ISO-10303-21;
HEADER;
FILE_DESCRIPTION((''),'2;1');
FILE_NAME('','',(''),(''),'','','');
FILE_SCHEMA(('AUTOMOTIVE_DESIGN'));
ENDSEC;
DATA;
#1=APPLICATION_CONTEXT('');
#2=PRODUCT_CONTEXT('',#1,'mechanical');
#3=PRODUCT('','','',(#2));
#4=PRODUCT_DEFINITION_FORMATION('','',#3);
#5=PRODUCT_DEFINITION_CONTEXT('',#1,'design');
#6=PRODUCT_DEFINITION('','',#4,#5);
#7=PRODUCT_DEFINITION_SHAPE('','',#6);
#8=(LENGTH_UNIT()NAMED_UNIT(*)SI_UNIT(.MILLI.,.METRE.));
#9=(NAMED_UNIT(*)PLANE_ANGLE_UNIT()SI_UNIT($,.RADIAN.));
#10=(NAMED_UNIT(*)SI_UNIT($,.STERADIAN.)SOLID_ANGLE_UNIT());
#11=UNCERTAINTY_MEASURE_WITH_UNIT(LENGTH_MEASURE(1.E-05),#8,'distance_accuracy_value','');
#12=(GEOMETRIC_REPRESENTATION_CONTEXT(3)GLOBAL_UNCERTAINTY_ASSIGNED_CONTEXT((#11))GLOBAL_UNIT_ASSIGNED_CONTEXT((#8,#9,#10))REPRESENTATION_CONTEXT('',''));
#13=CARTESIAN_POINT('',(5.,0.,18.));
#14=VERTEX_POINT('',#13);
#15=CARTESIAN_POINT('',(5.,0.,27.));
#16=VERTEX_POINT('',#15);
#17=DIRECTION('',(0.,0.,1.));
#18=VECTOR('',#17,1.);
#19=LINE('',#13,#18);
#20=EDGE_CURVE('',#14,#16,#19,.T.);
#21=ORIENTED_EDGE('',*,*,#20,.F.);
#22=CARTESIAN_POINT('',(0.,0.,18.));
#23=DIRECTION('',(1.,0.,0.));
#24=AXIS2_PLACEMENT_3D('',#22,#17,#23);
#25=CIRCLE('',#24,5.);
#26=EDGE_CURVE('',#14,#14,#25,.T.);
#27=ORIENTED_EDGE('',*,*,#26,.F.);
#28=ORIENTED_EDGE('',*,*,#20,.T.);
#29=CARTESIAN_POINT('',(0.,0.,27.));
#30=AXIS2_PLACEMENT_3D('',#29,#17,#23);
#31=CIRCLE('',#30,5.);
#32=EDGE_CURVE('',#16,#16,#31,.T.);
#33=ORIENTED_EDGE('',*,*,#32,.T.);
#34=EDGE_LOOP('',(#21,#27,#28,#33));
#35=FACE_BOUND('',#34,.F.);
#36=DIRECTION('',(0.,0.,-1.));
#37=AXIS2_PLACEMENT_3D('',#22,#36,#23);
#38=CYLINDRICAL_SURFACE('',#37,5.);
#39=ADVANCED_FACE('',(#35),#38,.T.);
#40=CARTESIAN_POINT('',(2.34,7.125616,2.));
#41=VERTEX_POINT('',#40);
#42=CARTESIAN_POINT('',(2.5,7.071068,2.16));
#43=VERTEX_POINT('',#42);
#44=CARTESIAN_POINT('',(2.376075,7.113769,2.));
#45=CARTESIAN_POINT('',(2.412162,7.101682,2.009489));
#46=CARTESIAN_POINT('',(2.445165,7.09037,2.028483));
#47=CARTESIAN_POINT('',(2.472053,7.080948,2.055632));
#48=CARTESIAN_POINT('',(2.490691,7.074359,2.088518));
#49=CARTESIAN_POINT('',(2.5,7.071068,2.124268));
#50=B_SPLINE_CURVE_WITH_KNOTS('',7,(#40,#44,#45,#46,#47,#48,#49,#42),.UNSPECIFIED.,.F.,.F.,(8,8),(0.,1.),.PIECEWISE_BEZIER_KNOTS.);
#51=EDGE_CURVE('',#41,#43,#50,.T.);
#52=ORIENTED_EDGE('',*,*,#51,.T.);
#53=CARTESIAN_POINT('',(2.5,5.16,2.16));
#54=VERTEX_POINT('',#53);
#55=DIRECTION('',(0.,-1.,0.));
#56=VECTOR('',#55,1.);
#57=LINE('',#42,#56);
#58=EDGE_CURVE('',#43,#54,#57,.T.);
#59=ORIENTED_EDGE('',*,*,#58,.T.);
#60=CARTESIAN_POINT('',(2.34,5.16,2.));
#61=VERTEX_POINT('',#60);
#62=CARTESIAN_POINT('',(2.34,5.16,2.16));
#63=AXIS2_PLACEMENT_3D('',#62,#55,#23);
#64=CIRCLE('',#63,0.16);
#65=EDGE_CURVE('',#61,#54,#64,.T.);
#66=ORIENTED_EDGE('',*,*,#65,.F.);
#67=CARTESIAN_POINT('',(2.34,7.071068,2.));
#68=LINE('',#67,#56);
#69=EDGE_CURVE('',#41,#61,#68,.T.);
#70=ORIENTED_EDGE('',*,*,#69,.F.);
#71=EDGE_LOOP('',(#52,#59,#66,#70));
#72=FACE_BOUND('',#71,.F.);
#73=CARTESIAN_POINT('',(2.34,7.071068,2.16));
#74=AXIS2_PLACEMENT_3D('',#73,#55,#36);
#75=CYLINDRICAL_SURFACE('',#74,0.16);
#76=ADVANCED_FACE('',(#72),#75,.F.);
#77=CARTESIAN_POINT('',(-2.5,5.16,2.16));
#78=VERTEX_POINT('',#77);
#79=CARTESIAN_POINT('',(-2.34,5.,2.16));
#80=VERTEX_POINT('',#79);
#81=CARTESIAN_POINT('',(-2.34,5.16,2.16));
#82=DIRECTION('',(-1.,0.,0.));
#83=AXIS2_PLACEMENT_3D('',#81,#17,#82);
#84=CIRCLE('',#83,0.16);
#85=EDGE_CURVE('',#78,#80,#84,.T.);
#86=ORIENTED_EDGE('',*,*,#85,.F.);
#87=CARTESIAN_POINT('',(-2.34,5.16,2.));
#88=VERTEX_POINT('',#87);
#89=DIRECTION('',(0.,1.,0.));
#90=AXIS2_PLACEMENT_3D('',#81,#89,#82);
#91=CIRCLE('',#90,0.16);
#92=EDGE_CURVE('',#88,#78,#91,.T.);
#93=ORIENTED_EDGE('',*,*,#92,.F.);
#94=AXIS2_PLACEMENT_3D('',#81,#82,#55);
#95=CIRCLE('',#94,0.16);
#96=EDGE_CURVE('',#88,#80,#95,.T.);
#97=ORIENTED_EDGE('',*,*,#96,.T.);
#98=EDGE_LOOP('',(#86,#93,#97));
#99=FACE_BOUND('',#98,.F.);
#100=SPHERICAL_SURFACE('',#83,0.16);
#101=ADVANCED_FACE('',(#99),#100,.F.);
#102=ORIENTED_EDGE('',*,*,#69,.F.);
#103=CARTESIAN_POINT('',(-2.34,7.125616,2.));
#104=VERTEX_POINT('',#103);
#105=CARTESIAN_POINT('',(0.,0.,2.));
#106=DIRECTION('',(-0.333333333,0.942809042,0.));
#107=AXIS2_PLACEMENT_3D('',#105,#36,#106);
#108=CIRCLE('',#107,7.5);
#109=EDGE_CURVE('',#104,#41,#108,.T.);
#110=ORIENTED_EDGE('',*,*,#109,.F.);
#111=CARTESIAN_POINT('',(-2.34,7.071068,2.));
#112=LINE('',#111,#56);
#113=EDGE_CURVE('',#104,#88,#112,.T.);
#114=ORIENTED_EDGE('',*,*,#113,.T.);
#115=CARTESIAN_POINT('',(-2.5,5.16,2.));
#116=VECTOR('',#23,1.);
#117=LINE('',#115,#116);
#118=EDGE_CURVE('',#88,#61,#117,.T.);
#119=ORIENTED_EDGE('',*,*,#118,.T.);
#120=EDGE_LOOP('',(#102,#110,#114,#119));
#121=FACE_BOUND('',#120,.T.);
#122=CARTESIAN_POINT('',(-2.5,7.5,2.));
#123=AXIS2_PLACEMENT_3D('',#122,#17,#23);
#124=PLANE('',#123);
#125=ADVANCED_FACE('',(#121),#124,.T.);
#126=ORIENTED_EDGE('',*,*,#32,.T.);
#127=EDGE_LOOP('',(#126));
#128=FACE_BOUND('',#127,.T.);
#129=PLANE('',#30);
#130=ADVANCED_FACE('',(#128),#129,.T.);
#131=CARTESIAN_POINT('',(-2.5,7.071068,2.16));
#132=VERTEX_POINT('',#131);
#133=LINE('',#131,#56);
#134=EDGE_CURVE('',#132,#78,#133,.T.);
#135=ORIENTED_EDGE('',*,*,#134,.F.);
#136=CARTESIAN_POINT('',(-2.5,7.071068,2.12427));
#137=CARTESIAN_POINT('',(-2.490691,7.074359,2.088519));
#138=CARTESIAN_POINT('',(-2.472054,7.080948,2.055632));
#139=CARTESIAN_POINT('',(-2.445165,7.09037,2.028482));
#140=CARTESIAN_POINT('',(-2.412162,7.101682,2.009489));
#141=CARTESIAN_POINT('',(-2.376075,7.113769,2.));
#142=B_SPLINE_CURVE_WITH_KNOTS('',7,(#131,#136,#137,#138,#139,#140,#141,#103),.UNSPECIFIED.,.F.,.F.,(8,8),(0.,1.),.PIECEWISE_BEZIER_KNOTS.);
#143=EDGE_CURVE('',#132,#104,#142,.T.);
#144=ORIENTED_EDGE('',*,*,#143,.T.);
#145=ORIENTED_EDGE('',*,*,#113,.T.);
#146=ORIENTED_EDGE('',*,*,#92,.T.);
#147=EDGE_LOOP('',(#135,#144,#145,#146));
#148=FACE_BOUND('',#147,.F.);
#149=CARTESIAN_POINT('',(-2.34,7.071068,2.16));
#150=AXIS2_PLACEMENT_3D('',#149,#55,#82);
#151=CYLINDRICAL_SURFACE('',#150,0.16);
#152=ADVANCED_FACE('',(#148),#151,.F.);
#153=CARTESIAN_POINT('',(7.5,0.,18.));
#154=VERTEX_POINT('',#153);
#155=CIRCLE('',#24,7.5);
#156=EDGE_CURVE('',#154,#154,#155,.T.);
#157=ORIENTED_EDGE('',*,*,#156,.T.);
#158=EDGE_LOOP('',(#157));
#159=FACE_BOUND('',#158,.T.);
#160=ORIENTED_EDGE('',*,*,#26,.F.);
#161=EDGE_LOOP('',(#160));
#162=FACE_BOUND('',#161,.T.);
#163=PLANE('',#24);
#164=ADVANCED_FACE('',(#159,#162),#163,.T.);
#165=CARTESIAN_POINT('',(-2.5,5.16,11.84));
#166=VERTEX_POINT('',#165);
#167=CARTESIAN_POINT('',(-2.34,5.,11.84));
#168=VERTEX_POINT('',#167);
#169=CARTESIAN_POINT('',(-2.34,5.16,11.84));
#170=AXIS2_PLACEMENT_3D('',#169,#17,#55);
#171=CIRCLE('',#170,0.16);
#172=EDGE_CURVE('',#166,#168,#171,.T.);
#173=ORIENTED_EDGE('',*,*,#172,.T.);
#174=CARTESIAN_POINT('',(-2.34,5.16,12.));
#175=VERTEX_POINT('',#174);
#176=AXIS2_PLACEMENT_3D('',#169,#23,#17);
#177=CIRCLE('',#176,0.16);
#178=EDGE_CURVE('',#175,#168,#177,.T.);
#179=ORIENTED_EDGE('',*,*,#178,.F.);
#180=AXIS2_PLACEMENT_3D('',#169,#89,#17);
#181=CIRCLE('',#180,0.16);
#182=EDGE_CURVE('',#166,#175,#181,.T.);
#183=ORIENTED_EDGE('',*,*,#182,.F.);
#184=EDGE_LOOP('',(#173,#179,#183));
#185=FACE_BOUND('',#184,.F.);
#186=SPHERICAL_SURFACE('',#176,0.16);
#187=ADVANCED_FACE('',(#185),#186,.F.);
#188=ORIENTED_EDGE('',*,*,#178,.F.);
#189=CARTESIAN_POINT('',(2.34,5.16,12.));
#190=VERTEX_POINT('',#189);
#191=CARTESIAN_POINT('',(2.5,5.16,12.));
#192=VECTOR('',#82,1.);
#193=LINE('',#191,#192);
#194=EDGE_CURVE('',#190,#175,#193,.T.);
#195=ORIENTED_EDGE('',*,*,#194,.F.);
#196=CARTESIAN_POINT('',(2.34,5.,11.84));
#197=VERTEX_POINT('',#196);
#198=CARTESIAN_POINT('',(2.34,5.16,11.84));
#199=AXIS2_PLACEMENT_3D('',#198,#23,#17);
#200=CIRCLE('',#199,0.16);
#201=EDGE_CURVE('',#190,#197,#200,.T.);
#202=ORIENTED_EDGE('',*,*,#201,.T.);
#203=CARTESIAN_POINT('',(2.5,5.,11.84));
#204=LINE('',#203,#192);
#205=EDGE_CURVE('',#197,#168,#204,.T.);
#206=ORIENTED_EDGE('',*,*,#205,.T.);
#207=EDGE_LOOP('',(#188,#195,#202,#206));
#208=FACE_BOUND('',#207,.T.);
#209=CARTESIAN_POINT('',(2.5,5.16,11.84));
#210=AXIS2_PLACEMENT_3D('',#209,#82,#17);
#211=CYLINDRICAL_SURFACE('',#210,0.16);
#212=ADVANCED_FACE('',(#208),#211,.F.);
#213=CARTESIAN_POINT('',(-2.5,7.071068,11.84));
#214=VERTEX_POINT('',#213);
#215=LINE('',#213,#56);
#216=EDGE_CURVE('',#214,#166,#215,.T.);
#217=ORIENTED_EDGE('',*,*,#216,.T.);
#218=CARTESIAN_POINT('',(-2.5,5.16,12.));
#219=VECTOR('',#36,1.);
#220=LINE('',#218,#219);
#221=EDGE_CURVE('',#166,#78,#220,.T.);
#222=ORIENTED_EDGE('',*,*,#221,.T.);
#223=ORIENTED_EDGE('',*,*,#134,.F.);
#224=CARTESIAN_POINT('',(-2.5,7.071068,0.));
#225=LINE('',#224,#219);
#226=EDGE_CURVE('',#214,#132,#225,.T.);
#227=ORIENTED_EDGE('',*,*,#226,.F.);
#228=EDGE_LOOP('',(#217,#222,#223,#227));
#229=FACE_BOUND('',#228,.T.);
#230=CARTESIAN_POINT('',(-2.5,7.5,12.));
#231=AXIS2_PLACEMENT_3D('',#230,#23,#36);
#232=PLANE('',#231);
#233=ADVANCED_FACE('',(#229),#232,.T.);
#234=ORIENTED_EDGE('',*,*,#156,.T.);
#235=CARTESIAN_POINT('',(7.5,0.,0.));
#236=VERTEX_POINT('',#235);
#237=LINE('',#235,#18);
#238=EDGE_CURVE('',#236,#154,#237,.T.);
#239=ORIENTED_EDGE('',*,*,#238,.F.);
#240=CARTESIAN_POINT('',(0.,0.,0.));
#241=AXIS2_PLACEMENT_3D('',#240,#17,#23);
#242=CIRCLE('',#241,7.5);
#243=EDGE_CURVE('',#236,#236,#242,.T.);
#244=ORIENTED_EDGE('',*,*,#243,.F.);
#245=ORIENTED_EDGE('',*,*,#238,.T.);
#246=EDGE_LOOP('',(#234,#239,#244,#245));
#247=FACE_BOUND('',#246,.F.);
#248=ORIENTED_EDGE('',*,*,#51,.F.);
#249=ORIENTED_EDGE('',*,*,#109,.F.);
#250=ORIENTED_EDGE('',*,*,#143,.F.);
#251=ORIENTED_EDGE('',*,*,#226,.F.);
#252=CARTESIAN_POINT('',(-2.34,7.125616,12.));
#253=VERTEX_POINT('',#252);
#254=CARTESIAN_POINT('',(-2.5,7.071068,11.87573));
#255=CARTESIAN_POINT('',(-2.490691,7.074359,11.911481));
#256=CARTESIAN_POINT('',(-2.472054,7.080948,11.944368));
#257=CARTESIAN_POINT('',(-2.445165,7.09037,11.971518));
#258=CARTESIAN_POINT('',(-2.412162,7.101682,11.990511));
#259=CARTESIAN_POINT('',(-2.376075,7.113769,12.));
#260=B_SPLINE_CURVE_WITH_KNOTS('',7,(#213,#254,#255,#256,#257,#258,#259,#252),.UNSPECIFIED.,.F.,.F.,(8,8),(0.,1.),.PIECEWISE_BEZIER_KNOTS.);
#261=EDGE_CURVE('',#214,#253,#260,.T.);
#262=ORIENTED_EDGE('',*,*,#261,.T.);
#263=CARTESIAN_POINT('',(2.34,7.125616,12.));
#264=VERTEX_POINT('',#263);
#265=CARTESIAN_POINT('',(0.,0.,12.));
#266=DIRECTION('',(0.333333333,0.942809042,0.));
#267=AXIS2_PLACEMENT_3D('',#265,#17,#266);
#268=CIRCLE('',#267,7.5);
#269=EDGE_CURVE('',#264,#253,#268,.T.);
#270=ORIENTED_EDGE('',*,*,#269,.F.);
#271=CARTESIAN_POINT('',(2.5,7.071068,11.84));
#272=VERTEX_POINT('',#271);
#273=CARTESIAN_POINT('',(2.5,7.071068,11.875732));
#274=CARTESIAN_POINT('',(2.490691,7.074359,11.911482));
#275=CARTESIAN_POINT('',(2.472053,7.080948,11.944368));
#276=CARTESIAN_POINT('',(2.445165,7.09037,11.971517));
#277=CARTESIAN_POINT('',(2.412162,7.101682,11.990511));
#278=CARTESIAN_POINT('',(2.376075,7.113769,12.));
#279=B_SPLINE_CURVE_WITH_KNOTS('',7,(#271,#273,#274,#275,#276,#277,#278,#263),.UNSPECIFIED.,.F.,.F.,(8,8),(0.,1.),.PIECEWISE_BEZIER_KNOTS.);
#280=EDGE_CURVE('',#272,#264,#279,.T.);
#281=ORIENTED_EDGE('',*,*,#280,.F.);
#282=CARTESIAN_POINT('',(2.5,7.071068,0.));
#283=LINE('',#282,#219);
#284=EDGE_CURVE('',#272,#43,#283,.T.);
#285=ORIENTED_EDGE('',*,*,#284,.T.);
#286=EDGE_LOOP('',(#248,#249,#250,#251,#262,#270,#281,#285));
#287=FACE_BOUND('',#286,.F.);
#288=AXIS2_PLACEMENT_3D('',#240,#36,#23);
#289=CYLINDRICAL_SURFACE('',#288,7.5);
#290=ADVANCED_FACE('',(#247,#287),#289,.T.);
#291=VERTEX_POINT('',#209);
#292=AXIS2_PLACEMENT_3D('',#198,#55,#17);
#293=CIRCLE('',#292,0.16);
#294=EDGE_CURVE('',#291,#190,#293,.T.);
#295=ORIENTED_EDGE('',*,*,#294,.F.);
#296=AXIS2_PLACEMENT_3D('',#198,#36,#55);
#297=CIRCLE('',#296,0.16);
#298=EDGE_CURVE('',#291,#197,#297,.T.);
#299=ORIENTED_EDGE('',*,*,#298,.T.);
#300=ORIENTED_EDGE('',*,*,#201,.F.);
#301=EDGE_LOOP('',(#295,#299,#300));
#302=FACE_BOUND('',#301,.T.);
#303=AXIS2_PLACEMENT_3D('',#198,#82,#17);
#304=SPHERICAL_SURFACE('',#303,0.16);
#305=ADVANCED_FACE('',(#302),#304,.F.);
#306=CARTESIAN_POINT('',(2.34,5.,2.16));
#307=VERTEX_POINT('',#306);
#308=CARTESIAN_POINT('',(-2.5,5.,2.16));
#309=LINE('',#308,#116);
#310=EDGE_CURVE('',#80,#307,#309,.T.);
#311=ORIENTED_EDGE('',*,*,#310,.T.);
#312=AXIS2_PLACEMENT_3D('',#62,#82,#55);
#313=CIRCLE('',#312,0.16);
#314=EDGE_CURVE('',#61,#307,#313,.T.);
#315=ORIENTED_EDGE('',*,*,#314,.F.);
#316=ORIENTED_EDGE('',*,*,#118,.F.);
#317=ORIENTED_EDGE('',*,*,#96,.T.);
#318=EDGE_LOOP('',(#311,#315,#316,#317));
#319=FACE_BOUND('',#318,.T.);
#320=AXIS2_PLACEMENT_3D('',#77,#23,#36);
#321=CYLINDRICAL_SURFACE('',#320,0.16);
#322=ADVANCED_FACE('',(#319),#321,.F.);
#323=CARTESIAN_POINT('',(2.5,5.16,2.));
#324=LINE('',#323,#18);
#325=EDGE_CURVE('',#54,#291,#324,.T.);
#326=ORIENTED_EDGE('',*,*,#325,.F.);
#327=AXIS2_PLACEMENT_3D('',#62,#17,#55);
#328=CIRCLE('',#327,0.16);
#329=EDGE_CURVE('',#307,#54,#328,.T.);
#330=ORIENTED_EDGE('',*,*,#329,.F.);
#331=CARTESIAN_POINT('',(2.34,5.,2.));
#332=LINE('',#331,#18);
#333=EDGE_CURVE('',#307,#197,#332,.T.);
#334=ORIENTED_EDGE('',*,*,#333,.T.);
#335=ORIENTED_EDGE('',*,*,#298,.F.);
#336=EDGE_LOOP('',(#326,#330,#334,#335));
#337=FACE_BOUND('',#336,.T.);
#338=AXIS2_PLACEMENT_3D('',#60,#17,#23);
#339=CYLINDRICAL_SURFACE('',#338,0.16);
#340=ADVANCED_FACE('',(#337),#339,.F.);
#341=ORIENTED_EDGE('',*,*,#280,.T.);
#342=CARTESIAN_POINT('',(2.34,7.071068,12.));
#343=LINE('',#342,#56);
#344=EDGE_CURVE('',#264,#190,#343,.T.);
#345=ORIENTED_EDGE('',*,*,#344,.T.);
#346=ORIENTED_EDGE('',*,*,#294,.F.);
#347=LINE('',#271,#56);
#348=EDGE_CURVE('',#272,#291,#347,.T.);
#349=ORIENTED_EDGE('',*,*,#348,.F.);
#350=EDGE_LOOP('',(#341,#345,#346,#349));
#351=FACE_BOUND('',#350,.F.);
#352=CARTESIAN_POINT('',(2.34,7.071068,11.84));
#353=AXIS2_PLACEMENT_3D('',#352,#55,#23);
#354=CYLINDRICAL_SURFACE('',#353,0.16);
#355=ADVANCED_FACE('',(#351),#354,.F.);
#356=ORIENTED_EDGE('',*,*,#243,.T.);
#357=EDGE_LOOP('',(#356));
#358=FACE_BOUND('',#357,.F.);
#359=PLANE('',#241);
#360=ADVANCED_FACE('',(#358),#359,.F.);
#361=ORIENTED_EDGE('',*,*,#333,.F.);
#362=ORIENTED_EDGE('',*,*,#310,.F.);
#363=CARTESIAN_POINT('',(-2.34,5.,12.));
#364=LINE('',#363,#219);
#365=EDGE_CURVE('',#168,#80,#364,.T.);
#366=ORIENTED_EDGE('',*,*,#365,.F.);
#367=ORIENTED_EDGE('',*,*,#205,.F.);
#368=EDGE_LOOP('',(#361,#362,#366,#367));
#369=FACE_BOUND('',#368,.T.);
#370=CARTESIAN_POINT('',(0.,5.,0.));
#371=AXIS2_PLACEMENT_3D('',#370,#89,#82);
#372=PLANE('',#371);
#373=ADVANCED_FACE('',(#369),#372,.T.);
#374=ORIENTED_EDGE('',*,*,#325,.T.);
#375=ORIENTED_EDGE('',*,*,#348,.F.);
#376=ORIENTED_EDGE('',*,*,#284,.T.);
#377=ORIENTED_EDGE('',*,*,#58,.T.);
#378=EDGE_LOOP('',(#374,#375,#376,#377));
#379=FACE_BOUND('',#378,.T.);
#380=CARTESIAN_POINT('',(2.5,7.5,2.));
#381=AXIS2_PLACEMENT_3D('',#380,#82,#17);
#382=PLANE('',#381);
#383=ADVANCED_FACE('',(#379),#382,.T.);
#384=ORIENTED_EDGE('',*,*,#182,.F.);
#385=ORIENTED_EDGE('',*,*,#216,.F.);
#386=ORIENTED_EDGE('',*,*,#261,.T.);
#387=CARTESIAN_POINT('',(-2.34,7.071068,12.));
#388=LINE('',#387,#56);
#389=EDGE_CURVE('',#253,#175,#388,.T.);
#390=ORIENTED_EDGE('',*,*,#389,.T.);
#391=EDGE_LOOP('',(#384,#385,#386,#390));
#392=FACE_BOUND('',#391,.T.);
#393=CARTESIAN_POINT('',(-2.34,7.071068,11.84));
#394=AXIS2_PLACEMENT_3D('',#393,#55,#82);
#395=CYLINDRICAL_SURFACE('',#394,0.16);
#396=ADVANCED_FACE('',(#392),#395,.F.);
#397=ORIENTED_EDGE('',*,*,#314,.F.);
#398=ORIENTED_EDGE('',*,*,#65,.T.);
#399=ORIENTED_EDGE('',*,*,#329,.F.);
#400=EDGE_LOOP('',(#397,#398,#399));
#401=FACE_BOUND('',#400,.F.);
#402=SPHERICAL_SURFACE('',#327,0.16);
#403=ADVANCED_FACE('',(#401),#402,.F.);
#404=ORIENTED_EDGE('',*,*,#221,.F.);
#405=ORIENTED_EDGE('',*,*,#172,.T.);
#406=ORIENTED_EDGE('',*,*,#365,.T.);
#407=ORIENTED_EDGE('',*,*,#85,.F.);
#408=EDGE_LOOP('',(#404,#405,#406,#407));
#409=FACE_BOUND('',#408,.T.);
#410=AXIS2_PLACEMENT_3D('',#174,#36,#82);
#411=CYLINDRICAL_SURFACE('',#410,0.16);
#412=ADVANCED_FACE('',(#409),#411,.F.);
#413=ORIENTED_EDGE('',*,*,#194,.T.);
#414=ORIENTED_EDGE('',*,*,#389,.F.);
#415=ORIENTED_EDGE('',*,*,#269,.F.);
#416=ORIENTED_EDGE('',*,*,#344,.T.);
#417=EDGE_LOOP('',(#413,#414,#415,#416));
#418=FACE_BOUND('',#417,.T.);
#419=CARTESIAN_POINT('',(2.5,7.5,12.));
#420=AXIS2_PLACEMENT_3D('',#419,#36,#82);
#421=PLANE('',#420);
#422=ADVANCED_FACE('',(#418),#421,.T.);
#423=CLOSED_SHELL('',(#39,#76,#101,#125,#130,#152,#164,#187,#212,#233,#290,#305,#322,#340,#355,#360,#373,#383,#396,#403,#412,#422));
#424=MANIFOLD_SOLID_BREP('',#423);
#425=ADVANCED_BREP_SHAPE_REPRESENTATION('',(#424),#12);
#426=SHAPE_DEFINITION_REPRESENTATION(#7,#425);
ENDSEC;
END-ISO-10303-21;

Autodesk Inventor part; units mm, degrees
ref_plane "YZ Plane" through (0, 0, 0) normal (1, 0, 0) x (0, 1, 0)
ref_plane "XY Plane" through (0, 0, 0) normal (0, 0, 1) x (1, 0, 0)
sketch "草圖2" plane through (0, 0, 0) normal (0, 0, 1) x (1, 0, 0)
  circle A0 centre (0, 0) radius 7.5
  dimension "d3" = 15
extrude "擠出2" add sketch "草圖2" along normal blind 18
sketch "草圖3" plane through (0, 0, 18) normal (0, 0, 1) x (1, 0, 0)
  circle A0 centre (0, 0) radius 5
  dimension "d6" = 10
extrude "擠出3" add sketch "草圖3" along normal blind 9
ref_plane "工作平面2" through (0, 7.5, 0) normal (0, 1, 0) x (-1, 0, 0)
sketch "草圖6" plane through (0, 7.5, 0) normal (0, 1, 0) x (-1, 0, 0)
  line L0 (-2.5, 12) -> (2.5, 12)
  line L1 (2.5, 12) -> (2.5, 2)
  line L2 (2.5, 2) -> (-2.5, 2)
  line L3 (-2.5, 2) -> (-2.5, 12)
  line L4 (-2.5, 12) -> (2.5, 2) construction
  line L5 (2.5, 12) -> (-2.5, 2) construction
  line L6 (-7.5, 0) -> (7.5, 0) projected
  point P0 (0, 0)
  point P1 (0, 7)
  dimension "d24" = 5
  dimension "d25" = 10
  dimension "d26" = 2
  dimension "d27" = 5
extrude "擠出6" cut sketch "草圖6" against normal blind 2.5
fillet "圓角3" radius 0.16 8 edges at (0, 5, 12) (2.5, 6.0355, 12) (2.5, 5, 7) (-2.5, 6.0355, 12) (-2.5, 5, 7) (-2.5, 6.0355, 2) (0, 5, 2) (2.5, 6.0355, 2)
properties part number "軸1"
